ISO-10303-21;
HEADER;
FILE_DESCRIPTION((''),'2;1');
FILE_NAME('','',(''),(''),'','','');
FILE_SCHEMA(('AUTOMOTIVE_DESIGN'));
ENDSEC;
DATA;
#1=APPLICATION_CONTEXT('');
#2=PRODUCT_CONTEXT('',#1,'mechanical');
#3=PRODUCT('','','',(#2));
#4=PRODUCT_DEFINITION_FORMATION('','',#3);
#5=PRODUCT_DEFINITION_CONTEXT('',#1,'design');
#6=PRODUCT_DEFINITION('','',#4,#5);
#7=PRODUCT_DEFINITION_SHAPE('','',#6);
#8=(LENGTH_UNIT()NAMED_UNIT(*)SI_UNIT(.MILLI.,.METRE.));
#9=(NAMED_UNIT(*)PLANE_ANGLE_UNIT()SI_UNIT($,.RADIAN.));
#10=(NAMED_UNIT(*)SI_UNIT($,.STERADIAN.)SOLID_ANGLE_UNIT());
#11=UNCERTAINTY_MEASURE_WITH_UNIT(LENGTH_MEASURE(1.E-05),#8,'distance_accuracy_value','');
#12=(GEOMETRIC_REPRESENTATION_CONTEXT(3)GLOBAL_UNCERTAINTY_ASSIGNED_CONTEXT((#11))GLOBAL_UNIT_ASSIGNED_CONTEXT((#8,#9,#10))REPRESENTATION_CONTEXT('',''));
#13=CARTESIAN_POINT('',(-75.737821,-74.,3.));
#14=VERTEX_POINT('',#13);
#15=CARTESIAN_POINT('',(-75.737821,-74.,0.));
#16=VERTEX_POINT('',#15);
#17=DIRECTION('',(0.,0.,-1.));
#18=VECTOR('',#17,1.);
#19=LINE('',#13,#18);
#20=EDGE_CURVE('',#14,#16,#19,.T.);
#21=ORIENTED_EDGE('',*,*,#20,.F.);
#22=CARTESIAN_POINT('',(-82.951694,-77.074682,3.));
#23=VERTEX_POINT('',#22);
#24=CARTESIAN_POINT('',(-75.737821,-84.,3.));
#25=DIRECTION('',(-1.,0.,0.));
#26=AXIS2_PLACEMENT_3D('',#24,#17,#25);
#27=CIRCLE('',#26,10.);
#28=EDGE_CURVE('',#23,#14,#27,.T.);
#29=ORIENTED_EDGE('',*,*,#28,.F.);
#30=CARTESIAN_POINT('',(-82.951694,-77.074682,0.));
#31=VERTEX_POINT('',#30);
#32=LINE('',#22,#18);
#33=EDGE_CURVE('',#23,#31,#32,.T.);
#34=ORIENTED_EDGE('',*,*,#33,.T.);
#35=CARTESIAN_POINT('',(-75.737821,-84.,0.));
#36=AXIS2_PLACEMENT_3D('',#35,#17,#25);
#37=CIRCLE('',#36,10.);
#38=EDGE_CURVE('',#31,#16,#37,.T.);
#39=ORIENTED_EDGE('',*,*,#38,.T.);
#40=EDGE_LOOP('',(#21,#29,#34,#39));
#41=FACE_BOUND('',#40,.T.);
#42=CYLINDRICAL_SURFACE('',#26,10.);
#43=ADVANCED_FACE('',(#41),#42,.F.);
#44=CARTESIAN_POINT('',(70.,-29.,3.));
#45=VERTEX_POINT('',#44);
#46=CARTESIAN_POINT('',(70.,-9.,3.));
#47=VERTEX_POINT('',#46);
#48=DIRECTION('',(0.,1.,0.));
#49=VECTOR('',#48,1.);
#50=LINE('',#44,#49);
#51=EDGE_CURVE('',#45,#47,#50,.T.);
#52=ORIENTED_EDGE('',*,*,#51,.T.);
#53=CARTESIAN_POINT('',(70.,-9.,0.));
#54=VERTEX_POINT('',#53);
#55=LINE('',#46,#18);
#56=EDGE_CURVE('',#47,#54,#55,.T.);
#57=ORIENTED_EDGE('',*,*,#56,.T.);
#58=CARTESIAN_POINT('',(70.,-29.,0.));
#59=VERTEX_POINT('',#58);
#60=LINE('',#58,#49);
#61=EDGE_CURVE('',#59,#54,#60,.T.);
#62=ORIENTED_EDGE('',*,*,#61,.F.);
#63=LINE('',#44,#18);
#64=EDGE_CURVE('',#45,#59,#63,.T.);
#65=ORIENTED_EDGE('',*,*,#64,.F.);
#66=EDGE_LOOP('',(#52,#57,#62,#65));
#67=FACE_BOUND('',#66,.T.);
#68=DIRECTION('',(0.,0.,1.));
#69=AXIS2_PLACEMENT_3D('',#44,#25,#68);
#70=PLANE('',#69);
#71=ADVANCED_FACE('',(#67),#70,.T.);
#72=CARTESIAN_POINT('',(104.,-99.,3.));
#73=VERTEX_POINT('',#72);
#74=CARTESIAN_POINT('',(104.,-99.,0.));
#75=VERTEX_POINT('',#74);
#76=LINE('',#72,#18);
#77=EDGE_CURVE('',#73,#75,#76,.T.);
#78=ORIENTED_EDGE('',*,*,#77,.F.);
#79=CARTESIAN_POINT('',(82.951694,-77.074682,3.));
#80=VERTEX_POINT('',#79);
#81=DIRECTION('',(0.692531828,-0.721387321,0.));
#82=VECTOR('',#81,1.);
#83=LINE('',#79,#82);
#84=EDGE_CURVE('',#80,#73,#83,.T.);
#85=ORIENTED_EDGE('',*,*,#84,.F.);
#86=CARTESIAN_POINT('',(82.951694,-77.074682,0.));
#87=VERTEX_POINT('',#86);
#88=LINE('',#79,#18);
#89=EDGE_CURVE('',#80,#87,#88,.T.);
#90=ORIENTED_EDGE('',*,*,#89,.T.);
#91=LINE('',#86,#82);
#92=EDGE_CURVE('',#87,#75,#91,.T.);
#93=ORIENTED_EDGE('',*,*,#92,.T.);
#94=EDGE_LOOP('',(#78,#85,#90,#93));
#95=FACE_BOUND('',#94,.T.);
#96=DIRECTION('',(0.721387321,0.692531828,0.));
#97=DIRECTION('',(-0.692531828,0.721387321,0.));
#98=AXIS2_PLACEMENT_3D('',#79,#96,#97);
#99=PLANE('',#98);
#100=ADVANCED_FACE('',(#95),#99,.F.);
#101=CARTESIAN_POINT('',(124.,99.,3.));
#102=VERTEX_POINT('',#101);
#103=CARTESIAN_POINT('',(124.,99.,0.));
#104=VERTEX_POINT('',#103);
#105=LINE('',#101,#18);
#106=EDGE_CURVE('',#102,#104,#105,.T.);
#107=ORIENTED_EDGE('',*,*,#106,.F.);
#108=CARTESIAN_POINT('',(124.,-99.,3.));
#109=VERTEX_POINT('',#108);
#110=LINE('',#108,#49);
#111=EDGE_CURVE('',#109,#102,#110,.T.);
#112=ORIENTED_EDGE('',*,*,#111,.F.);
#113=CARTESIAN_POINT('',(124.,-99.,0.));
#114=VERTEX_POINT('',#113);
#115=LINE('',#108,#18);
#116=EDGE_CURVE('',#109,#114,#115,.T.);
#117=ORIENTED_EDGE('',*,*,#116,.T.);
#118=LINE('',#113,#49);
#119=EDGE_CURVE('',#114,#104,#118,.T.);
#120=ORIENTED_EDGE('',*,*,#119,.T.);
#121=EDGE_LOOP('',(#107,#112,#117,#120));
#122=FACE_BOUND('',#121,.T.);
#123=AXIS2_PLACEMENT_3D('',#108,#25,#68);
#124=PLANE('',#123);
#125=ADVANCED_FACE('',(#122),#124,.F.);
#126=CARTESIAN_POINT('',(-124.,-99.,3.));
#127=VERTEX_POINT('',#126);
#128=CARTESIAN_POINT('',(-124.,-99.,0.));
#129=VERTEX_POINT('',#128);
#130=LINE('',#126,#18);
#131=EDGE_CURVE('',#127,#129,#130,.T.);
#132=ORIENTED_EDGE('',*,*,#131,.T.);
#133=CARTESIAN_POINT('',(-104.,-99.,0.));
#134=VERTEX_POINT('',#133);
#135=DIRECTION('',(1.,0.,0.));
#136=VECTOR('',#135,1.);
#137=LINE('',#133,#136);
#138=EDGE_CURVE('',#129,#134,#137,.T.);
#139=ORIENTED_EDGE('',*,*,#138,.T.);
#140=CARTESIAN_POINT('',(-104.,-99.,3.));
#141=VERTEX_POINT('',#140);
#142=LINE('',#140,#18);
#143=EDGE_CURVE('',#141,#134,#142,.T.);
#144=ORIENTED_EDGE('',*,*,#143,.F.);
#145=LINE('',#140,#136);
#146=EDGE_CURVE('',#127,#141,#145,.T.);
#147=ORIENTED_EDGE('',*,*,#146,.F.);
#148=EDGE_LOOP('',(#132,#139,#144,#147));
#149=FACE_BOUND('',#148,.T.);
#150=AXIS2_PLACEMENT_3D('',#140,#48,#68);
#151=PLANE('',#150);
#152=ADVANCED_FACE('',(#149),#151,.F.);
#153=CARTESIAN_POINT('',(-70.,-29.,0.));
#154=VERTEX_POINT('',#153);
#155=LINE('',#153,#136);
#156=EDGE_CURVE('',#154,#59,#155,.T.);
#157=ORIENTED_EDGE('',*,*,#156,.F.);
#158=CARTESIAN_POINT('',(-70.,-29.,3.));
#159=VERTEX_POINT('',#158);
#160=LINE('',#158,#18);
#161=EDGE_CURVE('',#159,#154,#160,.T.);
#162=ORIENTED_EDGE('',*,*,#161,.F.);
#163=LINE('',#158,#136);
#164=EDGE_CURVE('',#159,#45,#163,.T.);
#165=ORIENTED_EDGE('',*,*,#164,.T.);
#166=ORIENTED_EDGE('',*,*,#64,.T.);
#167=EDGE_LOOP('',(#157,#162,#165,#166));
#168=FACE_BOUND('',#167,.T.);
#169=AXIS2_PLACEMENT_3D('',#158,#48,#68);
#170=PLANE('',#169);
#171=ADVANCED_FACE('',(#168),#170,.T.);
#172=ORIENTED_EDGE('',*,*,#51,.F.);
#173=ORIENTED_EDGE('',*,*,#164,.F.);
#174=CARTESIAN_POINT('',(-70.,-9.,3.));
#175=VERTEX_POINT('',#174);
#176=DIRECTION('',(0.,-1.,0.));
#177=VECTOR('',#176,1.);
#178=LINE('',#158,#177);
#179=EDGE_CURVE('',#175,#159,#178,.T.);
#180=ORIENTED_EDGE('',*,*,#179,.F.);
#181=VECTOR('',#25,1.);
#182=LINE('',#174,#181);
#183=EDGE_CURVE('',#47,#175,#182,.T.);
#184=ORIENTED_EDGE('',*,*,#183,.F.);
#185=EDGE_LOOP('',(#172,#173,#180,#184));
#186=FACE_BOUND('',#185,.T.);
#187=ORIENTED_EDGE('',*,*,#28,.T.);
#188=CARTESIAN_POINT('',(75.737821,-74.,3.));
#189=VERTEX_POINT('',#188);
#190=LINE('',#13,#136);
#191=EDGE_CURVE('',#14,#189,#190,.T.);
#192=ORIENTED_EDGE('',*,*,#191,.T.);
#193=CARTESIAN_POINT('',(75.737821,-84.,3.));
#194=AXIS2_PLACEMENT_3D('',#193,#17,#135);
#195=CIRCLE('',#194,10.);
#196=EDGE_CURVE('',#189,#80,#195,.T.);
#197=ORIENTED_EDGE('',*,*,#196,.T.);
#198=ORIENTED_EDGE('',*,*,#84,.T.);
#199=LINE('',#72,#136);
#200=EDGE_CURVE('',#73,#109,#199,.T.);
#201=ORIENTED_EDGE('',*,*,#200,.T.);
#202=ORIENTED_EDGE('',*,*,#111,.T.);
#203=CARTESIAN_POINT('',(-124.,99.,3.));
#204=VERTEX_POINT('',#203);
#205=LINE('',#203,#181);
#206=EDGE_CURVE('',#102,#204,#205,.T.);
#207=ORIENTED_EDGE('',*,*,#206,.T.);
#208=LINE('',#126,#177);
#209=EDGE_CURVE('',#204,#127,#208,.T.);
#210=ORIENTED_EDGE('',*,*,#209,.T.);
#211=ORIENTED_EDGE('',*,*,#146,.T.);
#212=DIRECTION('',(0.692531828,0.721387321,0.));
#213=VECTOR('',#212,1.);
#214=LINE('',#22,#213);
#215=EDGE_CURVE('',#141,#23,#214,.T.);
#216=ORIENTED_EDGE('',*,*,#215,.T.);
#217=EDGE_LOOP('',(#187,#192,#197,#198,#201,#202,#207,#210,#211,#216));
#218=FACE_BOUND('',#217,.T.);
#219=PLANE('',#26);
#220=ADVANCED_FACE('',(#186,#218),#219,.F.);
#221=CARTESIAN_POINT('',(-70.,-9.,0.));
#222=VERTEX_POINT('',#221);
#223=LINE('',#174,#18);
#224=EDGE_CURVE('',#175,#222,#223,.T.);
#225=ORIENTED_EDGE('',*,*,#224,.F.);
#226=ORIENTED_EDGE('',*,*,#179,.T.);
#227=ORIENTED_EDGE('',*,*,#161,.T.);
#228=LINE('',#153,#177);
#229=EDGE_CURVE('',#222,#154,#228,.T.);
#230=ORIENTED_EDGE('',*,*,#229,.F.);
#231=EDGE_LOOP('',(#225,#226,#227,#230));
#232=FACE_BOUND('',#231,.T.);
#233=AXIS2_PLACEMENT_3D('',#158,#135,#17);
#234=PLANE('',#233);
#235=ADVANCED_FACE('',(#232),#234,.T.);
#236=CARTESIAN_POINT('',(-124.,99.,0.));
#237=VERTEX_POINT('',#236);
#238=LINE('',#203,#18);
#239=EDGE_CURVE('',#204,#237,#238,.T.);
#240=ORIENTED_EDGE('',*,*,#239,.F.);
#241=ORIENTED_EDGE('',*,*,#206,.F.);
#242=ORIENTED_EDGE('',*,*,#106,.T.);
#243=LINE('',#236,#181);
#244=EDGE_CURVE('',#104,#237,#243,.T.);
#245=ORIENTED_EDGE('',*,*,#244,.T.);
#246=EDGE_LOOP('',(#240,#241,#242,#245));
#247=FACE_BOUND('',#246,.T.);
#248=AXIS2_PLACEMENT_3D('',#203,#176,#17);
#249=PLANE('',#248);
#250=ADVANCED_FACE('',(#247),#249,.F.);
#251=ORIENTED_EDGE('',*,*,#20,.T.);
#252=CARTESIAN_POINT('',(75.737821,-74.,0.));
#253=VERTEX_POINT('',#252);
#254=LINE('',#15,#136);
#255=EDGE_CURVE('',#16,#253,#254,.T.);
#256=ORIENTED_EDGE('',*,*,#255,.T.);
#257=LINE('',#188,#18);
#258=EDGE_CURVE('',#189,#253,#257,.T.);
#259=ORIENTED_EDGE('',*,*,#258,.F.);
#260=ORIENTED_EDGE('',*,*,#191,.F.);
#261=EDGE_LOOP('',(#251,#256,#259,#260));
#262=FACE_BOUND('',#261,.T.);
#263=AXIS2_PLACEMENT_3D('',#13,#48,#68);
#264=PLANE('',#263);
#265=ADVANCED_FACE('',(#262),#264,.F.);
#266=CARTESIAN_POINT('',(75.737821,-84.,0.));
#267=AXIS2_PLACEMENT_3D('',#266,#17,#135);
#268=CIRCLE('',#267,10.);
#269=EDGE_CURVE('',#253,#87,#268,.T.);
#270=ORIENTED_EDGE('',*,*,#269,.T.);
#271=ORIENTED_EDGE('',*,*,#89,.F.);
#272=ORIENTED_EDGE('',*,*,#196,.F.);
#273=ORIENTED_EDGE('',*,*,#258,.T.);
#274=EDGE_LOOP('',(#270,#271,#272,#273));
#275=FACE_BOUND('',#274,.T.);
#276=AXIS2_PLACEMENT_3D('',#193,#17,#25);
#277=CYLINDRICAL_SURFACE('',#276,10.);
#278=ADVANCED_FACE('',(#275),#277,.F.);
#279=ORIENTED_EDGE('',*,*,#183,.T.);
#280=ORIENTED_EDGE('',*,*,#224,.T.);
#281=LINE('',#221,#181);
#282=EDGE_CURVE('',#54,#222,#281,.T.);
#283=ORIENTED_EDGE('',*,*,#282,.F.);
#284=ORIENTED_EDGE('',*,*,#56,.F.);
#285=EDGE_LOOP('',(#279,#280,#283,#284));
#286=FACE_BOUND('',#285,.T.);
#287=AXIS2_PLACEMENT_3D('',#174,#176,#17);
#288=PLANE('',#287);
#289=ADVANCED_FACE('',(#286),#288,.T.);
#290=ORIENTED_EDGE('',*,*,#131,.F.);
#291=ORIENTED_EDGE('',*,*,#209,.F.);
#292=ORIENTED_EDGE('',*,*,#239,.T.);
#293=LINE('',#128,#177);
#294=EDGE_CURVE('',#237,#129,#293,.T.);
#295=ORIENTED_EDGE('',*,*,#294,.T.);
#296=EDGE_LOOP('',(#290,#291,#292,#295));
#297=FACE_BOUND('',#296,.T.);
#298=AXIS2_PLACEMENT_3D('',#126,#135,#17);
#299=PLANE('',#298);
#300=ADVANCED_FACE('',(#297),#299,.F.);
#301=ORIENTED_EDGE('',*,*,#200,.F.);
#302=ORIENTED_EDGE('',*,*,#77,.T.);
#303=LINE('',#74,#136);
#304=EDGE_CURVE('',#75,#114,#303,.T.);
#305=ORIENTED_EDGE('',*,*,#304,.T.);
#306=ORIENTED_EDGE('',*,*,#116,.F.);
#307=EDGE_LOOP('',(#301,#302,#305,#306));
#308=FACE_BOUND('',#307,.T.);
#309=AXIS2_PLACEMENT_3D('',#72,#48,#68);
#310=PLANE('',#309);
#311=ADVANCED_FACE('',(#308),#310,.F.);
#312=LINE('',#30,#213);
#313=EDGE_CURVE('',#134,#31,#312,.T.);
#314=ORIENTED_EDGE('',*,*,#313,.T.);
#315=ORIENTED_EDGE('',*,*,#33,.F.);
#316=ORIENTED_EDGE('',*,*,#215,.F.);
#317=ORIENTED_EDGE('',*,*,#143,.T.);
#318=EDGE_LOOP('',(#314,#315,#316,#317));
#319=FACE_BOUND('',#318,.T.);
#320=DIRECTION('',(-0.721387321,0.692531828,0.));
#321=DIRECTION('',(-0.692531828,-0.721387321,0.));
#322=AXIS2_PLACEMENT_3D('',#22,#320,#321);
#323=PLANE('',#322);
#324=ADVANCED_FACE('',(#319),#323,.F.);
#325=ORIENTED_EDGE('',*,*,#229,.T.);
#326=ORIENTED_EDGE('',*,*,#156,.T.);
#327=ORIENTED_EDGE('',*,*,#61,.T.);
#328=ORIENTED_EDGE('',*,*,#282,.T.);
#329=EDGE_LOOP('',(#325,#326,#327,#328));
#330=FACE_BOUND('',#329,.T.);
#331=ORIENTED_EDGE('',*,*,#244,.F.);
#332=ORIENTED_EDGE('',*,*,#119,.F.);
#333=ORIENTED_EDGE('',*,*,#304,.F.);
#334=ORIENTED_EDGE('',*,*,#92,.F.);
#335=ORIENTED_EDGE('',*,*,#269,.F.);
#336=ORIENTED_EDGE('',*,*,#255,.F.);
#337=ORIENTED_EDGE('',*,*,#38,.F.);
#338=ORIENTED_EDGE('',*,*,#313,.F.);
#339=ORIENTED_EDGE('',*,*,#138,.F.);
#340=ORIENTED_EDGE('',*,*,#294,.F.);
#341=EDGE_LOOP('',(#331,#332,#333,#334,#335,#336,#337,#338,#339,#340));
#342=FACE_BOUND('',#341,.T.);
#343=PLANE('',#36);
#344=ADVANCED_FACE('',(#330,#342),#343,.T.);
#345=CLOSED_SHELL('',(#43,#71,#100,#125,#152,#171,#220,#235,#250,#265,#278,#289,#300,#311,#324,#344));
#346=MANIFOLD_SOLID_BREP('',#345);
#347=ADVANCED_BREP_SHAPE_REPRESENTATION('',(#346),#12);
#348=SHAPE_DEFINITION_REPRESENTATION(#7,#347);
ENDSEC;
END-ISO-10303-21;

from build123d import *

# Parameters (mm, degrees)
SKETCH1_W           = 140
SKETCH1_H           = 20
BOSS_EXTRUDE1_DEPTH = 3


with BuildPart() as part:
    # Sketch1 → Boss-Extrude1 (new body)
    with BuildSketch(Plane.XY):
        with BuildLine():
            Line((-124, -99), (-124, 99))
            Line((-124, 99), (124, 99))
            Line((124, 99), (124, -99))
            Line((124, -99), (104, -99))
            Line((104, -99), (82.951694449, -77.074681718))
            ThreePointArc((82.951694449, -77.074681718), (79.65871509, -74.800728757), (75.737821239, -74))
            Line((75.737821239, -74), (-75.737821239, -74))
            ThreePointArc((-75.737821239, -74), (-79.65871509, -74.800728757), (-82.951694449, -77.074681718))
            Line((-82.951694449, -77.074681718), (-104, -99))
            Line((-104, -99), (-124, -99))
        make_face()
        with Locations((0, -19)):
            Rectangle(SKETCH1_W, SKETCH1_H, mode=Mode.SUBTRACT)
    extrude(amount=BOSS_EXTRUDE1_DEPTH)


solid = part.part
